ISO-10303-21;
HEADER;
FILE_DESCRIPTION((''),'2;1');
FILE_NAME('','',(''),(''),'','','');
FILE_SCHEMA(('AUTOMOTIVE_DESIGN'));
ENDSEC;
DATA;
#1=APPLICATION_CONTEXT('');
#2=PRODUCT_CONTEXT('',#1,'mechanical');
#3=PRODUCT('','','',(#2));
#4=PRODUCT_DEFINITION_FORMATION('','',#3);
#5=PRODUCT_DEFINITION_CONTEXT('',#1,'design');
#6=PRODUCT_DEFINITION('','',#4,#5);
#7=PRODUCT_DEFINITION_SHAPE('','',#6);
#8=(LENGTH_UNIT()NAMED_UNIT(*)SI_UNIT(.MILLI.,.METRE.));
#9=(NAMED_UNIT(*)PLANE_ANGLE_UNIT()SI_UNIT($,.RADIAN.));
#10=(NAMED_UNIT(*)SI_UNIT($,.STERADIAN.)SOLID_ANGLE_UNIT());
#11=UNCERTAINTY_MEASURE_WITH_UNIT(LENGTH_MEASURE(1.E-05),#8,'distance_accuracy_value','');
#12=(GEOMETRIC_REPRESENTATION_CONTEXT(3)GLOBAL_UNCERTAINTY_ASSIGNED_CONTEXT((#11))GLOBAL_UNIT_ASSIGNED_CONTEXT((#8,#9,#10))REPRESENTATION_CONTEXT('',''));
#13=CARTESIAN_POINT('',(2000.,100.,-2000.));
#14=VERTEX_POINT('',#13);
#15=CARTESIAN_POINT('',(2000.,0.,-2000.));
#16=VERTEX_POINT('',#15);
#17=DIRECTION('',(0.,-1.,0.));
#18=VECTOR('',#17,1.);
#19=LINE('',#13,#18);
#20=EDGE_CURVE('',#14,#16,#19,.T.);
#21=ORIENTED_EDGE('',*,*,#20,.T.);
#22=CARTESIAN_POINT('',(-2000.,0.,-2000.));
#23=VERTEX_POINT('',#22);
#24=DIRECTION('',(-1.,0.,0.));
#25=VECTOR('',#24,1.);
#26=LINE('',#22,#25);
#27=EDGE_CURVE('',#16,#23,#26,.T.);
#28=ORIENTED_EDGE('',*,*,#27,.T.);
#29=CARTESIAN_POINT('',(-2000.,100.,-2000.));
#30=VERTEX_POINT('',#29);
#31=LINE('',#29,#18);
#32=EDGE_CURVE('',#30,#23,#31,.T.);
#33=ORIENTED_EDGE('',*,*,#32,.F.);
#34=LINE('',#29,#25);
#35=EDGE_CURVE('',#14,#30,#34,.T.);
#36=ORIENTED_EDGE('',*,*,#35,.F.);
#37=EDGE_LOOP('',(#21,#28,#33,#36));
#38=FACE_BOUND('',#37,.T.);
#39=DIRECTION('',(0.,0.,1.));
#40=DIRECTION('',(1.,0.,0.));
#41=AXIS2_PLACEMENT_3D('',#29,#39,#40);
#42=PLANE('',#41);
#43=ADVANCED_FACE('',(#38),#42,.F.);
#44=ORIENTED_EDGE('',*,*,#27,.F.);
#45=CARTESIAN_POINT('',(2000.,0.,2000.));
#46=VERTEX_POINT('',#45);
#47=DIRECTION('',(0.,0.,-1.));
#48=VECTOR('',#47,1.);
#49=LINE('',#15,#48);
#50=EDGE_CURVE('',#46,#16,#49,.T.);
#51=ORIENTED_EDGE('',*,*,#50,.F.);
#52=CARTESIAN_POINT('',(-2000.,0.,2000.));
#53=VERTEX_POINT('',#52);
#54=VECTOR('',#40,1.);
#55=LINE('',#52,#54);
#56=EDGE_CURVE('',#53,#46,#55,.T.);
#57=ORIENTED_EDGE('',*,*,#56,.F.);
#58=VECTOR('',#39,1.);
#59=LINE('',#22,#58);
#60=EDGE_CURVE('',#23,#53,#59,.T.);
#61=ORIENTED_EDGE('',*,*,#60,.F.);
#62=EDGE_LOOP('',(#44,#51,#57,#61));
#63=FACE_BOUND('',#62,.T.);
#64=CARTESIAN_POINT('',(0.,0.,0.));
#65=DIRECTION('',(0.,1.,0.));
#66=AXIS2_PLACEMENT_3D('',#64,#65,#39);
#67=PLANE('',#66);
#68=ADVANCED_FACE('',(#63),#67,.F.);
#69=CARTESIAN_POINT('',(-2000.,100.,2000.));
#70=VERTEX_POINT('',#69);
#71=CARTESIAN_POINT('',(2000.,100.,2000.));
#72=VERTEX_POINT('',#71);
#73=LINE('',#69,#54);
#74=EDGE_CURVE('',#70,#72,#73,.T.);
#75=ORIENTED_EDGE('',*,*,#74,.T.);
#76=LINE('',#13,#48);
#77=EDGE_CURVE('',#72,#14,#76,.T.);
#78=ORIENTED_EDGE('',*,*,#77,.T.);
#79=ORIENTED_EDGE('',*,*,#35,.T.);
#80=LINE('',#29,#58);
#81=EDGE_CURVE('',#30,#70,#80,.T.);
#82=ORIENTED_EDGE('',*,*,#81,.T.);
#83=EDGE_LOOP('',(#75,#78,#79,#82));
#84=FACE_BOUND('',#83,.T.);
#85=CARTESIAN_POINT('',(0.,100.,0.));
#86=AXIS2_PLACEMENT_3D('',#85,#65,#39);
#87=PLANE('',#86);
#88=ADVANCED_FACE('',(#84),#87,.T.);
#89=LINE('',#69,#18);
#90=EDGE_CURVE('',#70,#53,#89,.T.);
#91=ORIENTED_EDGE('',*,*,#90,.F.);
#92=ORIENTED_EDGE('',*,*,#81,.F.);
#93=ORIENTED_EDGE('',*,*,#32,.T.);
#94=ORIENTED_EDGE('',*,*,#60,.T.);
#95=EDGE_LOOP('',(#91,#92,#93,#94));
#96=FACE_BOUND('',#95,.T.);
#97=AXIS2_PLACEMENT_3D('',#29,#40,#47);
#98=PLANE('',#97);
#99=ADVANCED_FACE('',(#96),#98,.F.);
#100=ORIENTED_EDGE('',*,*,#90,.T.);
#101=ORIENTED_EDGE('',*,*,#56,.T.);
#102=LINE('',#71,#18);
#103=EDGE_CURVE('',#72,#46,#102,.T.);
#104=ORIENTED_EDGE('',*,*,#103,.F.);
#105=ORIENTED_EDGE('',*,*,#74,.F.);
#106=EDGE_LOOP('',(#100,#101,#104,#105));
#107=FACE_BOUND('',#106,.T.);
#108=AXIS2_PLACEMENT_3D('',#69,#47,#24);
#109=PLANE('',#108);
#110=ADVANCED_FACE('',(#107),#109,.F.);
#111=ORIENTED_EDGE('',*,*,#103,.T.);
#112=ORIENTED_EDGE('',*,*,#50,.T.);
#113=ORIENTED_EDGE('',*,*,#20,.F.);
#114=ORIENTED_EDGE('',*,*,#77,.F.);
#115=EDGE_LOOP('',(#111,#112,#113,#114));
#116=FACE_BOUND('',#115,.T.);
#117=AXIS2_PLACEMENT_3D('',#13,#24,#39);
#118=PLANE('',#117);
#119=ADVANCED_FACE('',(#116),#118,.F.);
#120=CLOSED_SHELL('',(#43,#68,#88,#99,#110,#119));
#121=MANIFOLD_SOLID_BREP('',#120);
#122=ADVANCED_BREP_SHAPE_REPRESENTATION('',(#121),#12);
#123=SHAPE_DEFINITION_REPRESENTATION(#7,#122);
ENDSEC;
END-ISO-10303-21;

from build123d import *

# Parameters (mm, degrees)
SKETCH_2_W      = 4000
SKETCH_2_H      = 4000
EXTRUDE_1_DEPTH = 100


with BuildPart() as part:
    # 草图2 → 凸台-拉伸1 (new body)
    with BuildSketch(Plane(origin=(0, 0, 0), x_dir=(1, 0, 0), z_dir=(0, 1, 0))):
        Rectangle(SKETCH_2_W, SKETCH_2_H)
    extrude(amount=EXTRUDE_1_DEPTH)


solid = part.part
